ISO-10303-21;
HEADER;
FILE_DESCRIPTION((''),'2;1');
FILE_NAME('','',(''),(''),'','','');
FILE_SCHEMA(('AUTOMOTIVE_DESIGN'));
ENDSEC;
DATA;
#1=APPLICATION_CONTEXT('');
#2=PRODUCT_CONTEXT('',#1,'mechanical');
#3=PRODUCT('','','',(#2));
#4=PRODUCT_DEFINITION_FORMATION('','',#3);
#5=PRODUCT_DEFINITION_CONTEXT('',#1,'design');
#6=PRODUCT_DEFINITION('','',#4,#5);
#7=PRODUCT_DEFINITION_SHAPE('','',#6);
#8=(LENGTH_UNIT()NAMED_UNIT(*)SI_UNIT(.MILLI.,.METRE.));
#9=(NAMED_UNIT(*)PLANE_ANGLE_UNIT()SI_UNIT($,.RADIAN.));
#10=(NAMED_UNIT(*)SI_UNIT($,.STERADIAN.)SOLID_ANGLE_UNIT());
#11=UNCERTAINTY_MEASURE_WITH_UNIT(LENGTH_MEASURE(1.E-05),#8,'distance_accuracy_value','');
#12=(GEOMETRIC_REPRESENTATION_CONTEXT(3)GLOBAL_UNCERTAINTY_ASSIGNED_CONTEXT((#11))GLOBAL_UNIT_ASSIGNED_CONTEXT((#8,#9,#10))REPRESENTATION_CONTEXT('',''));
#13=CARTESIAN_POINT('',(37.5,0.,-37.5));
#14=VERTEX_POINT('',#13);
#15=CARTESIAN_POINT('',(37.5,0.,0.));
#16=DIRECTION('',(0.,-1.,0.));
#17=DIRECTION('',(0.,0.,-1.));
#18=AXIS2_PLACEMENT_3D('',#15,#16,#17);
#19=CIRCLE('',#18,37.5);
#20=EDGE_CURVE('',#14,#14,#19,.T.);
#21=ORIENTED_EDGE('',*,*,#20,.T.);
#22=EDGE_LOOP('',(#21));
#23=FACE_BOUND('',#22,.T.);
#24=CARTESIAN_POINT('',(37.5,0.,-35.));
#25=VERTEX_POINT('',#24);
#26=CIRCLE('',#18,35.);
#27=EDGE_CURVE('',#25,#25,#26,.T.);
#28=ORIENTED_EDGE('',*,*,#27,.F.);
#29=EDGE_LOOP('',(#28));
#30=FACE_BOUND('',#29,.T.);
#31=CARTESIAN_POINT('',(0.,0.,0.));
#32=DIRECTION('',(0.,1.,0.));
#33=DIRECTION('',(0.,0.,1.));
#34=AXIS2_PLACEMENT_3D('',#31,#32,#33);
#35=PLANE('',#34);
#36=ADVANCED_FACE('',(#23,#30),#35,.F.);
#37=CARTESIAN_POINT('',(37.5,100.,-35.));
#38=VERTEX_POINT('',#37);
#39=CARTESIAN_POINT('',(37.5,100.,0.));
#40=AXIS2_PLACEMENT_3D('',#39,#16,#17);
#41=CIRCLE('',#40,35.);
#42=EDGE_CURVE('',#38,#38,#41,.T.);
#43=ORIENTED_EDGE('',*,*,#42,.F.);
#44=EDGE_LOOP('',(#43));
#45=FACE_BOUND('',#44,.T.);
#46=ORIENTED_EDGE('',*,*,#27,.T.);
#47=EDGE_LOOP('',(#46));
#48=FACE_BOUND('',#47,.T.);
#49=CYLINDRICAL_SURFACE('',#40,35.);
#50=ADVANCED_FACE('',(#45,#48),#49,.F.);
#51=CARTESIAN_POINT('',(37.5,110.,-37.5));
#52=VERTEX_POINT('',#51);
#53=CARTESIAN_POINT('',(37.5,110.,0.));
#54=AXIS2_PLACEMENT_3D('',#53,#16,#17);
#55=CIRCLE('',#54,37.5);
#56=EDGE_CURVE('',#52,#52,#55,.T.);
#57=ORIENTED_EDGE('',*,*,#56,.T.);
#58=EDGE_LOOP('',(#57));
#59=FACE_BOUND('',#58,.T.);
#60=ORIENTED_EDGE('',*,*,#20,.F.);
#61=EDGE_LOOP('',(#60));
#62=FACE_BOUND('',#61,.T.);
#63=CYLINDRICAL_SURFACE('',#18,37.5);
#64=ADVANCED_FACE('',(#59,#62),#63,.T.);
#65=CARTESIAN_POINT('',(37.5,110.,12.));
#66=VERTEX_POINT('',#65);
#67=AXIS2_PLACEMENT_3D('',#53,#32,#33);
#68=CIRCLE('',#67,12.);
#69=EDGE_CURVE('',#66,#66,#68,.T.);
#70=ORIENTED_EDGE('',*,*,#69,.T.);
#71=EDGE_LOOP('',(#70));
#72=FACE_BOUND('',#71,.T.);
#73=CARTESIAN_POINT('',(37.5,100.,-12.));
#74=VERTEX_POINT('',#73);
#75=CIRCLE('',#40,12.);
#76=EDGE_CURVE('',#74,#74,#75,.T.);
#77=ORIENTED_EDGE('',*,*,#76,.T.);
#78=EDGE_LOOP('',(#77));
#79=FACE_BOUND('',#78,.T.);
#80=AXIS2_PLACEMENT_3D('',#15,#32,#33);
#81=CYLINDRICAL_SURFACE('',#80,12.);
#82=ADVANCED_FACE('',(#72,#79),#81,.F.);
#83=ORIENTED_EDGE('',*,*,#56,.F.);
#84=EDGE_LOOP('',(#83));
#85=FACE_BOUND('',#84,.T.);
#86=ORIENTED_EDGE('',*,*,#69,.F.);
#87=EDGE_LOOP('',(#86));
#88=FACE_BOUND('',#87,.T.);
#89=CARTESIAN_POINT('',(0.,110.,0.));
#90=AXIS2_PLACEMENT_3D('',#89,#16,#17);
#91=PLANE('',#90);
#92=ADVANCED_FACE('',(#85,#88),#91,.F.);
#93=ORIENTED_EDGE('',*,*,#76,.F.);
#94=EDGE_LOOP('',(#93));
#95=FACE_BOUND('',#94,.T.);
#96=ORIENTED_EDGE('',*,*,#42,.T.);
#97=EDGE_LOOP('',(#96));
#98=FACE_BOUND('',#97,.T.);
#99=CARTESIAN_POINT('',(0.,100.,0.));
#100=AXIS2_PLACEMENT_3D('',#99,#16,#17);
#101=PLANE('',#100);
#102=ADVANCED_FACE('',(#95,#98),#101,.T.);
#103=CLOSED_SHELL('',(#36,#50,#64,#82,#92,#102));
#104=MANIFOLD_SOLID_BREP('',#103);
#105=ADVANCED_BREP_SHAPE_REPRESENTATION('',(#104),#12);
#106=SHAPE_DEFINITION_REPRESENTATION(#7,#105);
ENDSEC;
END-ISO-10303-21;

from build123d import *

# Parameters (mm, degrees)
SKETCH1_W          = 37.5
SKETCH1_H          = 110
CUT_EXTRUDE2_DEPTH = 100
CUT_EXTRUDE3_DEPTH = 139.315761936


with BuildPart() as part:
    # Sketch1 → Revolve3 (revolve)
    with BuildSketch(Plane.XY, mode=Mode.PRIVATE) as revolve3_sk:
        with Locations((18.75, 55)):
            Rectangle(SKETCH1_W, SKETCH1_H)
    revolve(revolve3_sk.sketch.rotate(Axis((37.5, 0, 0), (0, 1, 0)), 270), axis=Axis((37.5, 0, 0), (0, 1, 0)))

    # Sketch2 → Cut-Extrude2 (cut)
    with BuildSketch(Plane(origin=(0, 0, 0), x_dir=(-1, 0, 0), z_dir=(0, -1, 0))):
        with BuildLine():
            ThreePointArc((-2.5, 0), (-37.5, 35), (-72.5, 0))
            Line((-72.5, 0), (-2.5, 0))
        make_face()
        with BuildLine():
            Line((-2.5, 0), (-72.5, 0))
            ThreePointArc((-72.5, 0), (-37.5, -35), (-2.5, 0))
        make_face()
    extrude(amount=-CUT_EXTRUDE2_DEPTH, mode=Mode.SUBTRACT)

    # Sketch3 → Cut-Extrude3 (cut, through all)
    with BuildSketch(Plane(origin=(0, 110, 0), x_dir=(1, 0, 0), z_dir=(0, 1, 0))):
        with BuildLine():
            ThreePointArc((49.5, 0), (37.5, 12), (25.5, 0))
            Line((25.5, 0), (49.5, 0))
        make_face()
        with BuildLine():
            Line((49.5, 0), (25.5, 0))
            ThreePointArc((25.5, 0), (37.5, -12), (49.5, 0))
        make_face()
    extrude(amount=-CUT_EXTRUDE3_DEPTH, mode=Mode.SUBTRACT)


solid = part.part
